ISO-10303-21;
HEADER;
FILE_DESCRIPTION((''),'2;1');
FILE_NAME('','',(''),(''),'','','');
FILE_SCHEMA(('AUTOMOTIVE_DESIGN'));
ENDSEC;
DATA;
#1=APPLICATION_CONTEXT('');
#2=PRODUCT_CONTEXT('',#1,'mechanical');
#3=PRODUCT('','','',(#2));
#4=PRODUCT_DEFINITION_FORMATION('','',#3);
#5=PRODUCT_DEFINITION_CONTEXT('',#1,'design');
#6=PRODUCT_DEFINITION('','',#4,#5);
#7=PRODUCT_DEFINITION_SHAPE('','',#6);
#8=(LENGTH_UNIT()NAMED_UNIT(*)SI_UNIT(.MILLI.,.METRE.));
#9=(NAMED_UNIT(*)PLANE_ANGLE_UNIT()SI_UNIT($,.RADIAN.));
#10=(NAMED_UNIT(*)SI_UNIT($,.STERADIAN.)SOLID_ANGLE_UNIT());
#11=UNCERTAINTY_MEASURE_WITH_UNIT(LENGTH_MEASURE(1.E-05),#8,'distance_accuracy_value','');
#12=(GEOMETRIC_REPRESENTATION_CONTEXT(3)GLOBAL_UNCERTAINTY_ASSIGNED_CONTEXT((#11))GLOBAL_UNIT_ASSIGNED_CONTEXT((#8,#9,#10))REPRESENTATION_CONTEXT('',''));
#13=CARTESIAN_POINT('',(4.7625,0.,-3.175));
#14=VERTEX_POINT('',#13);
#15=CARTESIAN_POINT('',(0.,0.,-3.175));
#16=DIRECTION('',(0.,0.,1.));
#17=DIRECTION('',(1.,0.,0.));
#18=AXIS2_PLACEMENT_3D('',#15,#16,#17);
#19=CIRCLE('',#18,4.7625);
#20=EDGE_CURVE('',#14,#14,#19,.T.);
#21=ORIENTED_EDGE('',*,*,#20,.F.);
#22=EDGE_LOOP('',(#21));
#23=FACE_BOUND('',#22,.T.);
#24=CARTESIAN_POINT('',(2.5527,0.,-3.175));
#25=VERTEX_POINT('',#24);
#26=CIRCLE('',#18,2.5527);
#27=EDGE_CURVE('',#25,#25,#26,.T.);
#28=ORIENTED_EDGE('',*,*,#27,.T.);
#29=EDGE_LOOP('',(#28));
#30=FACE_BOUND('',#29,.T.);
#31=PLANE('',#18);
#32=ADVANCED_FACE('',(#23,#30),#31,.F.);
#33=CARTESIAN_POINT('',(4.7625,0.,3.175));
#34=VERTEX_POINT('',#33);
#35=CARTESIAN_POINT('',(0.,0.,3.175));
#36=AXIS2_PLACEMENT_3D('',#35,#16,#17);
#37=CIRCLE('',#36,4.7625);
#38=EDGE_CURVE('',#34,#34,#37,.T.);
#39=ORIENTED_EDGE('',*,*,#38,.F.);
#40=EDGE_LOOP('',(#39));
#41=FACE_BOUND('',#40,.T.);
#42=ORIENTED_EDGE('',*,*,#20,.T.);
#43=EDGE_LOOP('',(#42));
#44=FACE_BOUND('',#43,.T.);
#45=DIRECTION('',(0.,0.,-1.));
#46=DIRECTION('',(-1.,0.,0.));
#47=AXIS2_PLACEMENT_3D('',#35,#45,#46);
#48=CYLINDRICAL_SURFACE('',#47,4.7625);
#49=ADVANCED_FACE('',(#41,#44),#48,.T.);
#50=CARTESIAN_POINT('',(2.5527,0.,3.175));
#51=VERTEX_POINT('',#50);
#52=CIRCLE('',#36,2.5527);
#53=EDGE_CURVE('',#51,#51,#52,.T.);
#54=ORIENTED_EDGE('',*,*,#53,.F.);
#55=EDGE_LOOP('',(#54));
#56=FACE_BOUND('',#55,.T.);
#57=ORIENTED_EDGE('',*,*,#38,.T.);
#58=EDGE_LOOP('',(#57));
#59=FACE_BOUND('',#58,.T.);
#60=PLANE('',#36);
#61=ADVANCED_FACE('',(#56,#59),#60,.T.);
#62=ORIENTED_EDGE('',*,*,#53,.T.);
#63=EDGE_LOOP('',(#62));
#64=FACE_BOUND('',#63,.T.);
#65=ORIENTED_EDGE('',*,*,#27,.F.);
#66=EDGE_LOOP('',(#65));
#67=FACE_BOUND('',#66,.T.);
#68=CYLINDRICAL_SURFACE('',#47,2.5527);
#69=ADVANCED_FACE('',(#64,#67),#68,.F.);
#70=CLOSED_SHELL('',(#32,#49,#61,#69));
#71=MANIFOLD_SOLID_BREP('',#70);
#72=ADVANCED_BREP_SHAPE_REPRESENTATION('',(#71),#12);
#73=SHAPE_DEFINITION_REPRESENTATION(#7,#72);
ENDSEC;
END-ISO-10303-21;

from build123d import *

# Parameters (mm, degrees)
SKETCH1_R           = 4.7625
SKETCH1_R_2         = 2.5527
BOSS_EXTRUDE1_DEPTH = 3.175


with BuildPart() as part:
    # Sketch1 → Boss-Extrude1 (new body, symmetric)
    with BuildSketch(Plane.XY):
        Circle(SKETCH1_R)
        Circle(SKETCH1_R_2, mode=Mode.SUBTRACT)
    extrude(amount=BOSS_EXTRUDE1_DEPTH, both=True)


solid = part.part
